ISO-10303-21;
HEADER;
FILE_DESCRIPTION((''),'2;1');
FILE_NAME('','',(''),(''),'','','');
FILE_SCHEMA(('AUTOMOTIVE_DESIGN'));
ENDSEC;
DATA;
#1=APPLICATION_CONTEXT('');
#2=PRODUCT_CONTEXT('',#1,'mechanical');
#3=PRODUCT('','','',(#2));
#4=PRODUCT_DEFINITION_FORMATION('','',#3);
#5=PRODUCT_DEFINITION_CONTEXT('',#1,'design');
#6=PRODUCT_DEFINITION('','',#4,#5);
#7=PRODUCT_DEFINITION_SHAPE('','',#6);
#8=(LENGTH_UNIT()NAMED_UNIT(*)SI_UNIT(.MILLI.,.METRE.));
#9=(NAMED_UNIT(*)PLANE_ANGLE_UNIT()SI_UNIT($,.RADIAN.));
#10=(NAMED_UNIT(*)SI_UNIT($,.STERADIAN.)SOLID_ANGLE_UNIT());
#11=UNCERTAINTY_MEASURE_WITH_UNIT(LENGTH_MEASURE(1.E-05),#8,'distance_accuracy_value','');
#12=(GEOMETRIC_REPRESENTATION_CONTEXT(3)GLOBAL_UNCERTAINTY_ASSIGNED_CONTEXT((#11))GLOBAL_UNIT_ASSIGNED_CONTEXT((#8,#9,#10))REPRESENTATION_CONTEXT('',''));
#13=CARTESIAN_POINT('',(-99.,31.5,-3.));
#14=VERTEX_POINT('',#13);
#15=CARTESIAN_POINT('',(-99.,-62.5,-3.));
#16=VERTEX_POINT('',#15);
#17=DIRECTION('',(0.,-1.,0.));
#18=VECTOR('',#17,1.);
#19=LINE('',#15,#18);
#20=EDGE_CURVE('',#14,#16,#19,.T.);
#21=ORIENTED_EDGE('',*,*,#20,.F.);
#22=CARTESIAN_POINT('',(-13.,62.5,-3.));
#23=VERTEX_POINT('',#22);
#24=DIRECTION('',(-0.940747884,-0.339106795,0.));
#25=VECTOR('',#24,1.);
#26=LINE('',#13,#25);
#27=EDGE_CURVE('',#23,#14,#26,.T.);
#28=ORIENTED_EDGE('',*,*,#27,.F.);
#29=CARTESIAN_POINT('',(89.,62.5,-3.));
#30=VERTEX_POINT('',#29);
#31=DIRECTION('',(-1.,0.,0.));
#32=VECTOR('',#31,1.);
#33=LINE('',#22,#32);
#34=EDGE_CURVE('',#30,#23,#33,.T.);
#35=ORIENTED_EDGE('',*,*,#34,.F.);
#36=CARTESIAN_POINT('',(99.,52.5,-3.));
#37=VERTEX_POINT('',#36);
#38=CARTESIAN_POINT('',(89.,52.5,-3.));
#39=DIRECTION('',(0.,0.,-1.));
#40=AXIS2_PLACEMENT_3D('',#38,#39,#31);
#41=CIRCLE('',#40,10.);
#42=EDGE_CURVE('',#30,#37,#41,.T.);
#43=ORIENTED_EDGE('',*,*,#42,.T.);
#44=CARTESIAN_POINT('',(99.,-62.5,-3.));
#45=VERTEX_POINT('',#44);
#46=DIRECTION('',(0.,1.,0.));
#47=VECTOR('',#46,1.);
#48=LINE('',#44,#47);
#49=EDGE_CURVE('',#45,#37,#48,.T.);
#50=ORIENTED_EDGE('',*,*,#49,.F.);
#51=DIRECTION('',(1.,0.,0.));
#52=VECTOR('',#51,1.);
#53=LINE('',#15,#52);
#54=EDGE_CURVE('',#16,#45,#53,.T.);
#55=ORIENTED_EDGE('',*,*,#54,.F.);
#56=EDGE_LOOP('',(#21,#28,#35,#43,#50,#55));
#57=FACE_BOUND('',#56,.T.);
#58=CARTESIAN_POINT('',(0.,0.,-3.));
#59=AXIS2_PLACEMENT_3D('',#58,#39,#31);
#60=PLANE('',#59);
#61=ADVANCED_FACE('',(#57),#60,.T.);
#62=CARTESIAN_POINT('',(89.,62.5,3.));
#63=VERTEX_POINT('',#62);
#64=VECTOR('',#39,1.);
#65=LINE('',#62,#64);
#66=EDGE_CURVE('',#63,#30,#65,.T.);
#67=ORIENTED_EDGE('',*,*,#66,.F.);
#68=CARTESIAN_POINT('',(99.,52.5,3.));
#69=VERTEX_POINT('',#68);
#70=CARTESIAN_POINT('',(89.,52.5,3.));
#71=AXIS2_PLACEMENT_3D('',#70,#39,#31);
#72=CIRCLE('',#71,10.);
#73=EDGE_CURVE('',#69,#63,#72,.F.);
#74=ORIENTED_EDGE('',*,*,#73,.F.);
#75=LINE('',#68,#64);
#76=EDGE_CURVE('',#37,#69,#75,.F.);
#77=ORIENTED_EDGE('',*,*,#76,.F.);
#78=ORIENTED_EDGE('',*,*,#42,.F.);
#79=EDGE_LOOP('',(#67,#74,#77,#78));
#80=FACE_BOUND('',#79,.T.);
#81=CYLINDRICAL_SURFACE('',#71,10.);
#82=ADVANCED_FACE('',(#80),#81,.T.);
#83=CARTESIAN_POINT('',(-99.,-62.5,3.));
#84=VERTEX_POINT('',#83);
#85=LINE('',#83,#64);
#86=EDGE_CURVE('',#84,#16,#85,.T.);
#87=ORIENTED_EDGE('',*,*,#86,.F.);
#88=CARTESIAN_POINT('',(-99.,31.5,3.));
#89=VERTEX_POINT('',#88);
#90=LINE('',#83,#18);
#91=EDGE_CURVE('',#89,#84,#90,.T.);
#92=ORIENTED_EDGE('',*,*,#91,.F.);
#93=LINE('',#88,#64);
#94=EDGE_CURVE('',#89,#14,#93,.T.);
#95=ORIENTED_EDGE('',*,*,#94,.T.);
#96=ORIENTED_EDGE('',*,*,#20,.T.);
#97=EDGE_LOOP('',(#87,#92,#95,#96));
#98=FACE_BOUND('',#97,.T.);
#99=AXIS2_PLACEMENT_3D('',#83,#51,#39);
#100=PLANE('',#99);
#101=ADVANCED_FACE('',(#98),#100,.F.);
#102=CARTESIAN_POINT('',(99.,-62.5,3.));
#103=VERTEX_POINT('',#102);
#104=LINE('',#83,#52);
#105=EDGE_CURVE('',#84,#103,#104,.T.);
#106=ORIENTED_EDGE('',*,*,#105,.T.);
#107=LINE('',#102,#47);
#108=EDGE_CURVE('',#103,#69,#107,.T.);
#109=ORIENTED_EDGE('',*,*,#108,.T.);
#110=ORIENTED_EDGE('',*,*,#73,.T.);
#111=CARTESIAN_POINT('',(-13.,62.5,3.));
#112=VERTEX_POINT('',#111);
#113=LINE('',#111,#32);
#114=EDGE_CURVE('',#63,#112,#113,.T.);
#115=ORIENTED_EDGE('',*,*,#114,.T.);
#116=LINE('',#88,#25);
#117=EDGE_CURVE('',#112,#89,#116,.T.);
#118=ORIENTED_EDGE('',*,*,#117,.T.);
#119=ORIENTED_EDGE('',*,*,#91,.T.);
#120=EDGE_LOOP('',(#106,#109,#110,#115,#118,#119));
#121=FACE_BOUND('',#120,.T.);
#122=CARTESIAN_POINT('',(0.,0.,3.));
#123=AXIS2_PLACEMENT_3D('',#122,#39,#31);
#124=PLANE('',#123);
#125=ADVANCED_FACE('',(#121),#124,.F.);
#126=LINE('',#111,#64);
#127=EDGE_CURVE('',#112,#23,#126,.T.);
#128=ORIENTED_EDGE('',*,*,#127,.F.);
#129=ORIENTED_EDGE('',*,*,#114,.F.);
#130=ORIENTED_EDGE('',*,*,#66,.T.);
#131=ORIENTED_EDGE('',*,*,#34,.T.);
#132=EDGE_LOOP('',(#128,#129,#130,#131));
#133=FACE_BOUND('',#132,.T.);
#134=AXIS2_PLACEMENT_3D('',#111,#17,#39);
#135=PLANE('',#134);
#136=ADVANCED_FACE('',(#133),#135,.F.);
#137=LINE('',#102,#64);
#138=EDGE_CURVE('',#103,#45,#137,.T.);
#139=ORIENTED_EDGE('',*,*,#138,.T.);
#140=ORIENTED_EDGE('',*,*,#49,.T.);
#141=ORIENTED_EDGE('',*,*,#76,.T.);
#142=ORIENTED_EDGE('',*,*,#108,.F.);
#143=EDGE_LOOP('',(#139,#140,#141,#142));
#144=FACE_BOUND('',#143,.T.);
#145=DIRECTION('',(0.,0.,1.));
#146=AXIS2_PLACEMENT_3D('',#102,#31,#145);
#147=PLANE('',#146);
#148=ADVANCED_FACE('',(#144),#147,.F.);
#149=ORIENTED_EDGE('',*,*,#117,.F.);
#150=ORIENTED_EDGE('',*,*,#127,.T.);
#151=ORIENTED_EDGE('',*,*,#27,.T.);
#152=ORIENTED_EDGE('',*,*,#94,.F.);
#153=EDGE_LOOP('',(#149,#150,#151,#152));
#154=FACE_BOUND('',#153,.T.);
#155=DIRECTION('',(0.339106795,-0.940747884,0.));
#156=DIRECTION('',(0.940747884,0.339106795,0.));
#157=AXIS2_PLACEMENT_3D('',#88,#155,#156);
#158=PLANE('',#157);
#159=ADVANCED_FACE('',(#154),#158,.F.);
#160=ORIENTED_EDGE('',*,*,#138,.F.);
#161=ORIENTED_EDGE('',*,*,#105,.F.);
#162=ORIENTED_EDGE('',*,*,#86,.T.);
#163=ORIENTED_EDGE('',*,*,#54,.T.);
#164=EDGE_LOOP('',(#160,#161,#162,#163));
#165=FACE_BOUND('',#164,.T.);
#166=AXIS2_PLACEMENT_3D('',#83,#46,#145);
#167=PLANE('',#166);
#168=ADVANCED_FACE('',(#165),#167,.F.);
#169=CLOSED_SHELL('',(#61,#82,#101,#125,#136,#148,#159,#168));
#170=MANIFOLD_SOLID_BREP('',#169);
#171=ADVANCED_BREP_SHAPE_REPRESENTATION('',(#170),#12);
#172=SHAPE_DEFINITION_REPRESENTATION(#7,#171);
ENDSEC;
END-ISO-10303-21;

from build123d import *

# Parameters (mm, degrees)
BOSS_EXTRUDE1_DEPTH = 3
FILLET1_R           = 10


with BuildPart() as part:
    # Sketch1 → Boss-Extrude1 (new, symmetric)
    with BuildSketch(Plane.XY):
        Polygon((-99, 31.5), (-13, 62.5), (99, 62.5), (99, -62.5), (-99, -62.5), align=None)
    extrude(amount=BOSS_EXTRUDE1_DEPTH, both=True)

    # Fillet1
    fillet1_edges = [part.edges().sort_by_distance(p)[0] for p in [
        (99, 62.5, 0),
    ]]
    fillet(fillet1_edges, radius=FILLET1_R)


solid = part.part
